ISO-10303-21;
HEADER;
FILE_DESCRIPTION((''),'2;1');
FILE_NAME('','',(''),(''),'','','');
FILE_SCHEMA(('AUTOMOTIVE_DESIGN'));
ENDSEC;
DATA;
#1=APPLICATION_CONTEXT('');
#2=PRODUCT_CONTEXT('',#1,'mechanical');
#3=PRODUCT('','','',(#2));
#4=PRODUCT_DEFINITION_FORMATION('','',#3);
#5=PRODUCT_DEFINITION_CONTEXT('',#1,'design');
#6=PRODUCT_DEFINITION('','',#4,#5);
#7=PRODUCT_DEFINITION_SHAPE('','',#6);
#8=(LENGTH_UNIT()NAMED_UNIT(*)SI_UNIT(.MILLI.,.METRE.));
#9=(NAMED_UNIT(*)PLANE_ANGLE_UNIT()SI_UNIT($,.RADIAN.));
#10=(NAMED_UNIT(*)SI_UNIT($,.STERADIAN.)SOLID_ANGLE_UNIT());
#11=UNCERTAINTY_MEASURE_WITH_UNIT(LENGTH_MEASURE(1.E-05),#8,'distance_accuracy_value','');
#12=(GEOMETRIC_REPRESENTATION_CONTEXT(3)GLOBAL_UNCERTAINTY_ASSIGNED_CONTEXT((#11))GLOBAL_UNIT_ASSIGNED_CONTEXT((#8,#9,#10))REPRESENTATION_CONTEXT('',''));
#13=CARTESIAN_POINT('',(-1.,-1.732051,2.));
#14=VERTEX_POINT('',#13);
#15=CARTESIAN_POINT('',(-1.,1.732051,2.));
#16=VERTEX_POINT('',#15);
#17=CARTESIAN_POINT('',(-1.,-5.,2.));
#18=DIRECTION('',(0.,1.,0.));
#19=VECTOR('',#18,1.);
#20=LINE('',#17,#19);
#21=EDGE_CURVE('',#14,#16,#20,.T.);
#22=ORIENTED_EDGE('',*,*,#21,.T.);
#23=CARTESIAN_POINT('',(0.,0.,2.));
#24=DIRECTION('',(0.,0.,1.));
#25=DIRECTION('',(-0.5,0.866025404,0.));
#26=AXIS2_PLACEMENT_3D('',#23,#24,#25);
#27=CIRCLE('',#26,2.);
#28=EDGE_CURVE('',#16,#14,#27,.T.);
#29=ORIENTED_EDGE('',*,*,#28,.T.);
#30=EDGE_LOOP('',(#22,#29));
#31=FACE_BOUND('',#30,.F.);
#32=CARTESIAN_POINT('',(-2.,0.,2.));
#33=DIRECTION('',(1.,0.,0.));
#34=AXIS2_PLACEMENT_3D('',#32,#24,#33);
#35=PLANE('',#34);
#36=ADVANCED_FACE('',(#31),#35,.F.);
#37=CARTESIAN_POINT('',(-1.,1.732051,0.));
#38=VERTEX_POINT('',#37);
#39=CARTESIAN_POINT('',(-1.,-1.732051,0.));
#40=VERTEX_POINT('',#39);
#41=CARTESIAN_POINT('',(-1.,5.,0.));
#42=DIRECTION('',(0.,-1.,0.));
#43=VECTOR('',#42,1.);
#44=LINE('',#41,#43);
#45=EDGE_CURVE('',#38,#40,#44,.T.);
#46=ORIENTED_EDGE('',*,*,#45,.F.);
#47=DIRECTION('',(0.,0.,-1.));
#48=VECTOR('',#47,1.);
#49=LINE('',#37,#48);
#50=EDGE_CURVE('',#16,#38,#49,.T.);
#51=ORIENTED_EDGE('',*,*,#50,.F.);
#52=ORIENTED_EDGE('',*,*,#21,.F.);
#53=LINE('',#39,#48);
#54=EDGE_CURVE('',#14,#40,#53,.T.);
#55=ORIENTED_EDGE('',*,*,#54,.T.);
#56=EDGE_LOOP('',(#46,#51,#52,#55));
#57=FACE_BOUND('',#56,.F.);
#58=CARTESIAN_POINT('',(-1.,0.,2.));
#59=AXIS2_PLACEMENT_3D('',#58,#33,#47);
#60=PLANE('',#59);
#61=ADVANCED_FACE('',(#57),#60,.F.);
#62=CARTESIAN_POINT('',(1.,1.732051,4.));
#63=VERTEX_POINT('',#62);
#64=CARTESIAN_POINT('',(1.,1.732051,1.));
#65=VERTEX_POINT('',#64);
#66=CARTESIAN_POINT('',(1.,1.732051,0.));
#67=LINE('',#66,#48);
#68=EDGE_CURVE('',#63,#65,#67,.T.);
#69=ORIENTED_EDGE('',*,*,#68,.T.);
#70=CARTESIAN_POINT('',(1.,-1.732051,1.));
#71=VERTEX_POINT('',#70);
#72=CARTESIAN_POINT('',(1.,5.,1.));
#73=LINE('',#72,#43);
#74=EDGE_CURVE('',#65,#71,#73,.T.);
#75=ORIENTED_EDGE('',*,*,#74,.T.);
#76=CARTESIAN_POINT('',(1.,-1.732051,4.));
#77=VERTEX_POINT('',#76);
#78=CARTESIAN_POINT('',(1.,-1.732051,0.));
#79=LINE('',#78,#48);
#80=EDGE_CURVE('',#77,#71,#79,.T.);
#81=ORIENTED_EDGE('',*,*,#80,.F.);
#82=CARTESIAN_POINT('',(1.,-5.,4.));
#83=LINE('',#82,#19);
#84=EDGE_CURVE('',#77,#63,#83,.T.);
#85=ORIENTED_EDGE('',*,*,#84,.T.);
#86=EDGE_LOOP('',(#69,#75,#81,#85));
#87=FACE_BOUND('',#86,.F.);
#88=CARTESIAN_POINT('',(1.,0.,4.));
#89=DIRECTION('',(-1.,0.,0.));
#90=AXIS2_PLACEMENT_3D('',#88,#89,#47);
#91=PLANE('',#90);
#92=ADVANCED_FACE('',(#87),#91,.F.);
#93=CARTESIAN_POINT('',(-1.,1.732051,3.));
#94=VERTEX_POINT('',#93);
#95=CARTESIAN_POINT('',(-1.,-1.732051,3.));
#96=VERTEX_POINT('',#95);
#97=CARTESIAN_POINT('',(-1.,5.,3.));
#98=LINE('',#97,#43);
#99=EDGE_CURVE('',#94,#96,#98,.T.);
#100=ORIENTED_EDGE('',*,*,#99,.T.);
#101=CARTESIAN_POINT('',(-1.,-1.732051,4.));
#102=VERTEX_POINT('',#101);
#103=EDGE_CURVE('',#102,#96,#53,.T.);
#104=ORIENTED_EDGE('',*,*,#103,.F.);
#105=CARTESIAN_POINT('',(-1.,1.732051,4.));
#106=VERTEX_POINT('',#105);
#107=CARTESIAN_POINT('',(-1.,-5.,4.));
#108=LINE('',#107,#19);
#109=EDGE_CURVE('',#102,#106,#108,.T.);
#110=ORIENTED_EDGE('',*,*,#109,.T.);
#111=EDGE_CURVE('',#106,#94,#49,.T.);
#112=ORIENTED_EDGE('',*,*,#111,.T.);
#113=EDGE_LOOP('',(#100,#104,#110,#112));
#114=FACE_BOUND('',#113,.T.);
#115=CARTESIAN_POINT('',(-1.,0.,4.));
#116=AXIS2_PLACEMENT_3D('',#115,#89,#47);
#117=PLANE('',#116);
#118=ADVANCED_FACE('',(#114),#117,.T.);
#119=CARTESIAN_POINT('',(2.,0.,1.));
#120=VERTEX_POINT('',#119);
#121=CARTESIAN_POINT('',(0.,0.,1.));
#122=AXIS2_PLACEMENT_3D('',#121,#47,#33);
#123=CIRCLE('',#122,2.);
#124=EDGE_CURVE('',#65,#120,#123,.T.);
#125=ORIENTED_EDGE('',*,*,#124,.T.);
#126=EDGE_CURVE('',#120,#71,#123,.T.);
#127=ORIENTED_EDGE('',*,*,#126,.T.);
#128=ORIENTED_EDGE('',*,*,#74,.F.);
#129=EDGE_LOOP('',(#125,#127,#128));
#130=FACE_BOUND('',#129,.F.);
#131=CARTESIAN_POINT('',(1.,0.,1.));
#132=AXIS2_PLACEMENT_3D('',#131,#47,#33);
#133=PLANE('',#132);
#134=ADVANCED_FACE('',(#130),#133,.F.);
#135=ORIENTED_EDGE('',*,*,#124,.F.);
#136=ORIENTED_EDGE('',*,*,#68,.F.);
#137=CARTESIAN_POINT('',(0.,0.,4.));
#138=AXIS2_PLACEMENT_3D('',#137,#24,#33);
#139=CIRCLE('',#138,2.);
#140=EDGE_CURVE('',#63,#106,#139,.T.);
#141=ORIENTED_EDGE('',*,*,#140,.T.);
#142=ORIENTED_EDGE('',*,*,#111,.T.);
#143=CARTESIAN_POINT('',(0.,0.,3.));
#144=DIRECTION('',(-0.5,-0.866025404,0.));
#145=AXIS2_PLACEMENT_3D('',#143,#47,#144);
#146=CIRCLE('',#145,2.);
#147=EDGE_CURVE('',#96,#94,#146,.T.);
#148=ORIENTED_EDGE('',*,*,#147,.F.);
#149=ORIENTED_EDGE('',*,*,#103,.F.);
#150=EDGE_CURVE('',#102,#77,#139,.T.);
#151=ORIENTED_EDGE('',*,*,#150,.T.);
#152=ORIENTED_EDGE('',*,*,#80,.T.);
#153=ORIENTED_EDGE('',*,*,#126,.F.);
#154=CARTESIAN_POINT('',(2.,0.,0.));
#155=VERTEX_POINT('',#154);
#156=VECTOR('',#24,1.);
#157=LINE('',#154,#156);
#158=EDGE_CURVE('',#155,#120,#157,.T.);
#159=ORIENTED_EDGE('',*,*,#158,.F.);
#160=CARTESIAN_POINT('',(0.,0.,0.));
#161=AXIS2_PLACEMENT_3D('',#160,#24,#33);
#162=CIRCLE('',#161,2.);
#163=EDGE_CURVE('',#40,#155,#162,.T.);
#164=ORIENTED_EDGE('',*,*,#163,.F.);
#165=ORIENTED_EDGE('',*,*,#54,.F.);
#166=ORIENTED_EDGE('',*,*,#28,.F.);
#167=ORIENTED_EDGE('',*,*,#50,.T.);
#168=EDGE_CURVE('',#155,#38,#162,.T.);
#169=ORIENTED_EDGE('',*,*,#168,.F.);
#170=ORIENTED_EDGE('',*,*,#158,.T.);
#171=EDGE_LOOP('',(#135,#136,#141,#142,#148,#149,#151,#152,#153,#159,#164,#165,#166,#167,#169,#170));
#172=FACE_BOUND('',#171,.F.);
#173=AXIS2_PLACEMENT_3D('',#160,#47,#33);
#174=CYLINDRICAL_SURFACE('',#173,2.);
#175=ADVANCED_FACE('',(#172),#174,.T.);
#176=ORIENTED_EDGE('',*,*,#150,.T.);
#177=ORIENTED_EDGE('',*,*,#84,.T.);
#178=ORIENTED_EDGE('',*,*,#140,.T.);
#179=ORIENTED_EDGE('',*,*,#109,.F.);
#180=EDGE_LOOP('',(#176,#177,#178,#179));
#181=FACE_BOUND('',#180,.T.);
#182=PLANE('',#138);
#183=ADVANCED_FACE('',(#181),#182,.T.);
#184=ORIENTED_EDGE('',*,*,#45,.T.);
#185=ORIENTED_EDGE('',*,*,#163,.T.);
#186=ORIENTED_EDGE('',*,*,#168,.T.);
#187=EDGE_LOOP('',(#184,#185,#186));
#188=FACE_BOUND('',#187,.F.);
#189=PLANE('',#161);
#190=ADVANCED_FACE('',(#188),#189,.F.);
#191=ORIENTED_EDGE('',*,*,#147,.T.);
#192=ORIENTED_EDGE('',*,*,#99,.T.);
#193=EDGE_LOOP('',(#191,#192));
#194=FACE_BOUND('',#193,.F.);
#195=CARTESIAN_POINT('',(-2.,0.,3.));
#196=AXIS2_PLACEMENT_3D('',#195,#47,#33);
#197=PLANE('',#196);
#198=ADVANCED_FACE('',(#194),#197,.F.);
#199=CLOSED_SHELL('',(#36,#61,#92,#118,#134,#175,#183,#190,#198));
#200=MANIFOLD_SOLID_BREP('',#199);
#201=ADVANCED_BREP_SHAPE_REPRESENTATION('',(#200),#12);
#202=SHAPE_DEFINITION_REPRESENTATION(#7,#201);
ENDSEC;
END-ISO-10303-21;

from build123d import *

# Parameters (mm, degrees)
SKETCH1_R           = 2
BOSS_EXTRUDE1_DEPTH = 4
SKETCH2_W           = 1
SKETCH2_H           = 3
SKETCH2_H_2         = 1
SKETCH2_H_3         = 2
CUT_EXTRUDE1_DEPTH  = 5


with BuildPart() as part:
    # Sketch1 → Boss-Extrude1 (new body)
    with BuildSketch(Plane.XY):
        Circle(SKETCH1_R)
    extrude(amount=BOSS_EXTRUDE1_DEPTH)

    # Sketch2 → Cut-Extrude1 (cut, symmetric)
    with BuildSketch(Plane(origin=(0, 0, 0), x_dir=(1, 0, 0), z_dir=(0, 1, 0))):
        with Locations((1.5, -2.5)):
            Rectangle(SKETCH2_W, SKETCH2_H)
        with Locations((-1.5, -3.5)):
            Rectangle(SKETCH2_W, SKETCH2_H_2)
        with Locations((-1.5, -1)):
            Rectangle(SKETCH2_W, SKETCH2_H_3)
    extrude(amount=CUT_EXTRUDE1_DEPTH, both=True, mode=Mode.SUBTRACT)


solid = part.part
